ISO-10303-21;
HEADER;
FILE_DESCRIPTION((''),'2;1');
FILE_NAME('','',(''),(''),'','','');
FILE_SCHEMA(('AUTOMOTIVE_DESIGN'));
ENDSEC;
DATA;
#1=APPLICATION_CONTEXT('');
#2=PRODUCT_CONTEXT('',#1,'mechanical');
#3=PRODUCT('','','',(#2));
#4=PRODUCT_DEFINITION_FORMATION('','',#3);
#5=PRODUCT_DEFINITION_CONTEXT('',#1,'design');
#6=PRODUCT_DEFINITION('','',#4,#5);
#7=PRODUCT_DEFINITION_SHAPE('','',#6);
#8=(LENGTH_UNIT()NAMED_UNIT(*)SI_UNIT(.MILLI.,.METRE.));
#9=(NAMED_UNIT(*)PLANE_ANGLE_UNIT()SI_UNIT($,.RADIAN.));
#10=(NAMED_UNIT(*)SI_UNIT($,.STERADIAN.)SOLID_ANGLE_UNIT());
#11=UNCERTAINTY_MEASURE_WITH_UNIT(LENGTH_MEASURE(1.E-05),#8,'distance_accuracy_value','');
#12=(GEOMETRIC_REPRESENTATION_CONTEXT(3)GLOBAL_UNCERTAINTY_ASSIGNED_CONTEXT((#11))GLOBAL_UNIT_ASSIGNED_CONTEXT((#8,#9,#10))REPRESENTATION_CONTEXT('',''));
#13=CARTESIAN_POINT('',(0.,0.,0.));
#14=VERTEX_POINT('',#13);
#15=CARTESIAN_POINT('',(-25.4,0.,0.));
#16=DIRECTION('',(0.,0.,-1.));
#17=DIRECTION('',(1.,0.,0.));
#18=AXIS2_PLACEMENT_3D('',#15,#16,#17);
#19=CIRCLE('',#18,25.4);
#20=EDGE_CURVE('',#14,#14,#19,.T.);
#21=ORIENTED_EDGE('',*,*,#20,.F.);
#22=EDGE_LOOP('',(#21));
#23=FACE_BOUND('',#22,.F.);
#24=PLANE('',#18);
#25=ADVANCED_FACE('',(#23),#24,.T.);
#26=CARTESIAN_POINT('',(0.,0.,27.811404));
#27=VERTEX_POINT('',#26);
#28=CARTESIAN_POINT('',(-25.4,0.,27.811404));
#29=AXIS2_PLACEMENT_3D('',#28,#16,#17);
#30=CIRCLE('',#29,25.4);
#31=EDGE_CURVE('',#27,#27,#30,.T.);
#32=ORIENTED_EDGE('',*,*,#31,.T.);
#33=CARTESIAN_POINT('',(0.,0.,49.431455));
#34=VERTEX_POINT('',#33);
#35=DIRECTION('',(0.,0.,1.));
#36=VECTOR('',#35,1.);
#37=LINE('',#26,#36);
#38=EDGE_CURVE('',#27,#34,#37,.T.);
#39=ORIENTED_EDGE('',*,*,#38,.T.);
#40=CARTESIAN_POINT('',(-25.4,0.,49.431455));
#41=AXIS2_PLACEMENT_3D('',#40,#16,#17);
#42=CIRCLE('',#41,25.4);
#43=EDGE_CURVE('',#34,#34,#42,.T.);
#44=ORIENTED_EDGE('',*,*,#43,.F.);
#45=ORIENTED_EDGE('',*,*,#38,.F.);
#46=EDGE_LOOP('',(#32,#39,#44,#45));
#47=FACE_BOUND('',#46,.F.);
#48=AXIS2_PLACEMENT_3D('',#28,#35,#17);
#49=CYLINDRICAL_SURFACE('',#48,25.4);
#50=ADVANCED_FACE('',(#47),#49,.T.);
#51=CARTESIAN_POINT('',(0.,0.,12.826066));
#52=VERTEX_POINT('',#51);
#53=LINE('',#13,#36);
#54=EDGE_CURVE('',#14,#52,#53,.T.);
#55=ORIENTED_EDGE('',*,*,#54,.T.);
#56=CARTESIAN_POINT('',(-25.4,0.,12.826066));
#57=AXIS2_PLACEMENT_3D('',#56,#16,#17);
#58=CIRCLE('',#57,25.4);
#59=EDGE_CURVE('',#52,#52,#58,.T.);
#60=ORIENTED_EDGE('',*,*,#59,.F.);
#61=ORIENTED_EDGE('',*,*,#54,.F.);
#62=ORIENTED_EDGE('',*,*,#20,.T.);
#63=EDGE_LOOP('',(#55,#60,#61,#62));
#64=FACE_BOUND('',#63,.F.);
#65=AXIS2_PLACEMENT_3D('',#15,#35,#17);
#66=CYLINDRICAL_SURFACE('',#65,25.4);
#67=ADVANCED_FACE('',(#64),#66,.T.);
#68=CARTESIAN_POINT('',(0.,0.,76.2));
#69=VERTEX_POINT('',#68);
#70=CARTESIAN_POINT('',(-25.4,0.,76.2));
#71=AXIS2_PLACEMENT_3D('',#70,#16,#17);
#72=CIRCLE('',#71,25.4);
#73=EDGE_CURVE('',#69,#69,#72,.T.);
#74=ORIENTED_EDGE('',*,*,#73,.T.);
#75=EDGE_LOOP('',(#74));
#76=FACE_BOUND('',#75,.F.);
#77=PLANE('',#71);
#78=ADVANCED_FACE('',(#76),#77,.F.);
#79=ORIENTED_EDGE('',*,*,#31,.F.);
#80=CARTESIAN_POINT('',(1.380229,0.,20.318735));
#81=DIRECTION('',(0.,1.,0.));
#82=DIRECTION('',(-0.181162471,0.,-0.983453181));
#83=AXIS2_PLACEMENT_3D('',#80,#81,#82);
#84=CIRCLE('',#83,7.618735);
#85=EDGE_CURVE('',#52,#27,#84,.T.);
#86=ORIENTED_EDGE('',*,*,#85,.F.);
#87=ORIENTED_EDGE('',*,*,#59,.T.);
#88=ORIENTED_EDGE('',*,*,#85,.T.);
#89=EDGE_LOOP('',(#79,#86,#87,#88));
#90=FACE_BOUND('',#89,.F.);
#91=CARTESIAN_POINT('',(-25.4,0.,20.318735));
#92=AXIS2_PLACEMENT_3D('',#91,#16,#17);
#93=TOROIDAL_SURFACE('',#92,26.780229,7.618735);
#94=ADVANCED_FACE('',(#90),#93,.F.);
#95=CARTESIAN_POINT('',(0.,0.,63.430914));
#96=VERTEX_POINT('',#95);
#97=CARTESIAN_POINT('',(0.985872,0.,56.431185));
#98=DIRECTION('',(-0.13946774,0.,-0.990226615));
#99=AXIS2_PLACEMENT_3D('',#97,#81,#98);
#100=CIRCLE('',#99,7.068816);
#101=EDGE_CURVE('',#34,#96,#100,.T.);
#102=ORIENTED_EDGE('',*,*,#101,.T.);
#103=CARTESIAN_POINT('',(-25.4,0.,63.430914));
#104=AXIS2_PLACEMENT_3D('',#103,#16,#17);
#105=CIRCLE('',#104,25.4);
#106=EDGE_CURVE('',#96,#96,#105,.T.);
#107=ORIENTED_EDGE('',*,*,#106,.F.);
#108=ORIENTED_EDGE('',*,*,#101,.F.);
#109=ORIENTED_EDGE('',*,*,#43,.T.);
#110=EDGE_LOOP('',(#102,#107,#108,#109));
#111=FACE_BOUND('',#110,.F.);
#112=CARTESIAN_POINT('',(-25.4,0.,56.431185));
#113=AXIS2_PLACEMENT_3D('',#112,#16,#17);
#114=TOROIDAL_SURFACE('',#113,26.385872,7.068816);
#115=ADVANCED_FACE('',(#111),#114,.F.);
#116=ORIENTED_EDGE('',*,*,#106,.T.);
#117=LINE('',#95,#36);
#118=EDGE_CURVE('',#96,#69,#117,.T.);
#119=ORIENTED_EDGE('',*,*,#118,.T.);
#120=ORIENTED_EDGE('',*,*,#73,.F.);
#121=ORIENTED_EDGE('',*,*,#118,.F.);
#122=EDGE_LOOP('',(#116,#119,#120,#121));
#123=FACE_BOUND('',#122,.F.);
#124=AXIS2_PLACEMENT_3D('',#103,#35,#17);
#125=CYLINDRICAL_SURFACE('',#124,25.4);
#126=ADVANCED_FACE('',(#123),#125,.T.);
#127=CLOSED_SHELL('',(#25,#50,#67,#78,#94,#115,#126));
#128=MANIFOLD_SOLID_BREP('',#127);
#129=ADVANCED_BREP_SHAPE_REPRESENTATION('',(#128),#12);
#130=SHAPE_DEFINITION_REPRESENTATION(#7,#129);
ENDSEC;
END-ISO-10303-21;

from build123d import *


with BuildPart() as f1:
    # F0 (on Front) → F1 (revolve)
    with BuildSketch(Plane.XZ):
        with BuildLine():
            Line((0, 76.2), (-25.4, 76.2))
            Line((-25.4, 76.2), (-25.4, 0))
            Line((-25.4, 0), (0, 0))
            Line((0, 0), (0, 12.826066))
            ThreePointArc((0, 12.826066), (-6.238506, 20.318735), (0, 27.811404))
            Line((0, 27.811404), (0, 49.431455))
            ThreePointArc((0, 49.431455), (-6.082944, 56.431185), (0, 63.430914))
            Line((0, 63.430914), (0, 76.2))
        make_face()
    revolve(axis=Axis((-25.4, 0, 38.1), (0, 0, -1)))


solid = f1.part
